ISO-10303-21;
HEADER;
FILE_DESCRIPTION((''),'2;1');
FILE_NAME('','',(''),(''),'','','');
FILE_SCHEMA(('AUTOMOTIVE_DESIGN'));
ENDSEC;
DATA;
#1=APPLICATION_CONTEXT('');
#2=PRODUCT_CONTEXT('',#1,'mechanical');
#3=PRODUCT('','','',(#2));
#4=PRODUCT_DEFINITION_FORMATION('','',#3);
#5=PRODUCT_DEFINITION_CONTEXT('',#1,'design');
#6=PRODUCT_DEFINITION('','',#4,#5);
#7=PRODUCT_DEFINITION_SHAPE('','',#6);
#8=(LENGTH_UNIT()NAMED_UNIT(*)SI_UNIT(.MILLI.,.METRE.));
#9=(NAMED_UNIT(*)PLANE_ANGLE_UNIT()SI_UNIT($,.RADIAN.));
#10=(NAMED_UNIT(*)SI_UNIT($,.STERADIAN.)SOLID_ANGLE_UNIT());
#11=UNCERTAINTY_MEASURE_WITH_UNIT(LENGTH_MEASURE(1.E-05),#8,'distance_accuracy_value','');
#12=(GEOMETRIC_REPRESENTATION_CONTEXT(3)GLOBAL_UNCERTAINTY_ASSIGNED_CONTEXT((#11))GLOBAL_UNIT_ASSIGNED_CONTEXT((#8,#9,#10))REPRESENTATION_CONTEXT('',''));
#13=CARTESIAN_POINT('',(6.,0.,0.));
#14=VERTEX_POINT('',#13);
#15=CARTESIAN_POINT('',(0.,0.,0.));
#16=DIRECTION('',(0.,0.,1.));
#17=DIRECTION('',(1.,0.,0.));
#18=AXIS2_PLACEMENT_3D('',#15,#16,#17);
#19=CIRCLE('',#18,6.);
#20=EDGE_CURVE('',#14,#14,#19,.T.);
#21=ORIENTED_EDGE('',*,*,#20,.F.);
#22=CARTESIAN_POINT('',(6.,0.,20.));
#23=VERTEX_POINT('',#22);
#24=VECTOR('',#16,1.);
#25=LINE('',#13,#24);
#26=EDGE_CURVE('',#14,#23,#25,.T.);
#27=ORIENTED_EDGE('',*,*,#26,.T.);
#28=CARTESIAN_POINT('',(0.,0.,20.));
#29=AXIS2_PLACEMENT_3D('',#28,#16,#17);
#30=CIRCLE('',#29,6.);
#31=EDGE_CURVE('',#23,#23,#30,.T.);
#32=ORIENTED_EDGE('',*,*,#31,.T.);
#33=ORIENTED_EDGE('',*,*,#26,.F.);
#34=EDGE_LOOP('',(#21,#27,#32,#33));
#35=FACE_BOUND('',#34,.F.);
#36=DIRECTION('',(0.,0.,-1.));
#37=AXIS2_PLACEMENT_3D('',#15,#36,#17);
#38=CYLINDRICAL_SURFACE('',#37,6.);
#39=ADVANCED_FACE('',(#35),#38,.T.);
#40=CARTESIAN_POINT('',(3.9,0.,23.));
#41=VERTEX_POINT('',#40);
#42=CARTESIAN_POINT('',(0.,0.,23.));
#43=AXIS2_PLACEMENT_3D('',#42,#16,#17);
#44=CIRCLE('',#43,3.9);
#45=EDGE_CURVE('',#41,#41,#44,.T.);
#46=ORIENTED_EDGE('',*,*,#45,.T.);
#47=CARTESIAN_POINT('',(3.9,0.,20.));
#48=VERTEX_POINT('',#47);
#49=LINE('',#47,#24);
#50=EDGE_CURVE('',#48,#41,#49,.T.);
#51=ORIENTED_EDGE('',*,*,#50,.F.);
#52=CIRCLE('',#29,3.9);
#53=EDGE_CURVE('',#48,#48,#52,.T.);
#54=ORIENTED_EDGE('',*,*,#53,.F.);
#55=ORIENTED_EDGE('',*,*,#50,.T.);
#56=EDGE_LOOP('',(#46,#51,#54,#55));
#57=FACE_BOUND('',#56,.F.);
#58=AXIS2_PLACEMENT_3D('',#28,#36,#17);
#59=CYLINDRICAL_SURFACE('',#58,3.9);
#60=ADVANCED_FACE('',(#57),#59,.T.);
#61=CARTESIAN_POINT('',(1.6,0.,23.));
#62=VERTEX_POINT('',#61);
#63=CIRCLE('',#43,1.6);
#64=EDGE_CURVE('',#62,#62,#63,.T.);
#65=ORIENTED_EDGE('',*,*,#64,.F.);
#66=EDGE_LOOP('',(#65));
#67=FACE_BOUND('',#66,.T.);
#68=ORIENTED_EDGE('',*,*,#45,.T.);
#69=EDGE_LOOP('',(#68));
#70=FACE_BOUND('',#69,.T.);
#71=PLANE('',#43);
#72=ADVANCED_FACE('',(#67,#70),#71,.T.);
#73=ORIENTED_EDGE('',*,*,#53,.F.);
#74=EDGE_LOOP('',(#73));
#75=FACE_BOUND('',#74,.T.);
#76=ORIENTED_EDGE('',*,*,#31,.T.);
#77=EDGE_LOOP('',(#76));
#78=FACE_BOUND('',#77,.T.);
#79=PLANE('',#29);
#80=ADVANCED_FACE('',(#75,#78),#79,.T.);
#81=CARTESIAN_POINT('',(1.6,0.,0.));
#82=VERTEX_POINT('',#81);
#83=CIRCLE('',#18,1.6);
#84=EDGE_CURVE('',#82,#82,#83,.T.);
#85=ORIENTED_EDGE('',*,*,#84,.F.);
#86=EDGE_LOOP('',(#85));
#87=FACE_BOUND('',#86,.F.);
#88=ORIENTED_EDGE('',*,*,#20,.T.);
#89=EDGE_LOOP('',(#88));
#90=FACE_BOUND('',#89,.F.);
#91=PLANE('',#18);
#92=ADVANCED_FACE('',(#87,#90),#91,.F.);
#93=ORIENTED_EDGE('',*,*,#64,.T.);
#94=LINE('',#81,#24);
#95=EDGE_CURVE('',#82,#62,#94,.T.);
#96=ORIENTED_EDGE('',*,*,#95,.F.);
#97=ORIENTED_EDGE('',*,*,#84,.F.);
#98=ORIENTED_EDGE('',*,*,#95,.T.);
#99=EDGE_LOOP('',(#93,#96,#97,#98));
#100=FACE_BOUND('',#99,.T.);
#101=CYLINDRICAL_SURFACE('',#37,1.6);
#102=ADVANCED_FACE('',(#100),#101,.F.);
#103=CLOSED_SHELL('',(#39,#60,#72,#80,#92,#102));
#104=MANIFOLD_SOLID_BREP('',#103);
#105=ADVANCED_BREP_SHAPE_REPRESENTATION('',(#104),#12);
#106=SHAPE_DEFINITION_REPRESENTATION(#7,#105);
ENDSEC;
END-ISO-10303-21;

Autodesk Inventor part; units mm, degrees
ref_plane "YZ Plane" through (0, 0, 0) normal (1, 0, 0) x (0, 1, 0)
ref_plane "XZ Plane" through (0, 0, 0) normal (0, 1, 0) x (-1, 0, 0)
ref_plane "XY Plane" through (0, 0, 0) normal (0, 0, 1) x (1, 0, 0)
sketch "Sketch1" plane through (0, 0, 0) normal (0, 0, 1) x (1, 0, 0)
  circle A0 centre (0, 0) radius 1.6
  circle A1 centre (0, 0) radius 6
  dimension "d0" = 3.2
  dimension "d1" = 12
extrude "Extrusion1" add sketch "Sketch1" along normal blind 20
sketch "Sketch2" plane through (0, 0, 20) normal (0, 0, 1) x (1, 0, 0)
  circle A0 centre (0, 0) radius 1.6 projected
  circle A1 centre (0, 0) radius 3.9
  dimension "d4" = 7.8
extrude "Extrusion2" add sketch "Sketch2" along normal blind 3
properties part number "paint platform rear spacer"
